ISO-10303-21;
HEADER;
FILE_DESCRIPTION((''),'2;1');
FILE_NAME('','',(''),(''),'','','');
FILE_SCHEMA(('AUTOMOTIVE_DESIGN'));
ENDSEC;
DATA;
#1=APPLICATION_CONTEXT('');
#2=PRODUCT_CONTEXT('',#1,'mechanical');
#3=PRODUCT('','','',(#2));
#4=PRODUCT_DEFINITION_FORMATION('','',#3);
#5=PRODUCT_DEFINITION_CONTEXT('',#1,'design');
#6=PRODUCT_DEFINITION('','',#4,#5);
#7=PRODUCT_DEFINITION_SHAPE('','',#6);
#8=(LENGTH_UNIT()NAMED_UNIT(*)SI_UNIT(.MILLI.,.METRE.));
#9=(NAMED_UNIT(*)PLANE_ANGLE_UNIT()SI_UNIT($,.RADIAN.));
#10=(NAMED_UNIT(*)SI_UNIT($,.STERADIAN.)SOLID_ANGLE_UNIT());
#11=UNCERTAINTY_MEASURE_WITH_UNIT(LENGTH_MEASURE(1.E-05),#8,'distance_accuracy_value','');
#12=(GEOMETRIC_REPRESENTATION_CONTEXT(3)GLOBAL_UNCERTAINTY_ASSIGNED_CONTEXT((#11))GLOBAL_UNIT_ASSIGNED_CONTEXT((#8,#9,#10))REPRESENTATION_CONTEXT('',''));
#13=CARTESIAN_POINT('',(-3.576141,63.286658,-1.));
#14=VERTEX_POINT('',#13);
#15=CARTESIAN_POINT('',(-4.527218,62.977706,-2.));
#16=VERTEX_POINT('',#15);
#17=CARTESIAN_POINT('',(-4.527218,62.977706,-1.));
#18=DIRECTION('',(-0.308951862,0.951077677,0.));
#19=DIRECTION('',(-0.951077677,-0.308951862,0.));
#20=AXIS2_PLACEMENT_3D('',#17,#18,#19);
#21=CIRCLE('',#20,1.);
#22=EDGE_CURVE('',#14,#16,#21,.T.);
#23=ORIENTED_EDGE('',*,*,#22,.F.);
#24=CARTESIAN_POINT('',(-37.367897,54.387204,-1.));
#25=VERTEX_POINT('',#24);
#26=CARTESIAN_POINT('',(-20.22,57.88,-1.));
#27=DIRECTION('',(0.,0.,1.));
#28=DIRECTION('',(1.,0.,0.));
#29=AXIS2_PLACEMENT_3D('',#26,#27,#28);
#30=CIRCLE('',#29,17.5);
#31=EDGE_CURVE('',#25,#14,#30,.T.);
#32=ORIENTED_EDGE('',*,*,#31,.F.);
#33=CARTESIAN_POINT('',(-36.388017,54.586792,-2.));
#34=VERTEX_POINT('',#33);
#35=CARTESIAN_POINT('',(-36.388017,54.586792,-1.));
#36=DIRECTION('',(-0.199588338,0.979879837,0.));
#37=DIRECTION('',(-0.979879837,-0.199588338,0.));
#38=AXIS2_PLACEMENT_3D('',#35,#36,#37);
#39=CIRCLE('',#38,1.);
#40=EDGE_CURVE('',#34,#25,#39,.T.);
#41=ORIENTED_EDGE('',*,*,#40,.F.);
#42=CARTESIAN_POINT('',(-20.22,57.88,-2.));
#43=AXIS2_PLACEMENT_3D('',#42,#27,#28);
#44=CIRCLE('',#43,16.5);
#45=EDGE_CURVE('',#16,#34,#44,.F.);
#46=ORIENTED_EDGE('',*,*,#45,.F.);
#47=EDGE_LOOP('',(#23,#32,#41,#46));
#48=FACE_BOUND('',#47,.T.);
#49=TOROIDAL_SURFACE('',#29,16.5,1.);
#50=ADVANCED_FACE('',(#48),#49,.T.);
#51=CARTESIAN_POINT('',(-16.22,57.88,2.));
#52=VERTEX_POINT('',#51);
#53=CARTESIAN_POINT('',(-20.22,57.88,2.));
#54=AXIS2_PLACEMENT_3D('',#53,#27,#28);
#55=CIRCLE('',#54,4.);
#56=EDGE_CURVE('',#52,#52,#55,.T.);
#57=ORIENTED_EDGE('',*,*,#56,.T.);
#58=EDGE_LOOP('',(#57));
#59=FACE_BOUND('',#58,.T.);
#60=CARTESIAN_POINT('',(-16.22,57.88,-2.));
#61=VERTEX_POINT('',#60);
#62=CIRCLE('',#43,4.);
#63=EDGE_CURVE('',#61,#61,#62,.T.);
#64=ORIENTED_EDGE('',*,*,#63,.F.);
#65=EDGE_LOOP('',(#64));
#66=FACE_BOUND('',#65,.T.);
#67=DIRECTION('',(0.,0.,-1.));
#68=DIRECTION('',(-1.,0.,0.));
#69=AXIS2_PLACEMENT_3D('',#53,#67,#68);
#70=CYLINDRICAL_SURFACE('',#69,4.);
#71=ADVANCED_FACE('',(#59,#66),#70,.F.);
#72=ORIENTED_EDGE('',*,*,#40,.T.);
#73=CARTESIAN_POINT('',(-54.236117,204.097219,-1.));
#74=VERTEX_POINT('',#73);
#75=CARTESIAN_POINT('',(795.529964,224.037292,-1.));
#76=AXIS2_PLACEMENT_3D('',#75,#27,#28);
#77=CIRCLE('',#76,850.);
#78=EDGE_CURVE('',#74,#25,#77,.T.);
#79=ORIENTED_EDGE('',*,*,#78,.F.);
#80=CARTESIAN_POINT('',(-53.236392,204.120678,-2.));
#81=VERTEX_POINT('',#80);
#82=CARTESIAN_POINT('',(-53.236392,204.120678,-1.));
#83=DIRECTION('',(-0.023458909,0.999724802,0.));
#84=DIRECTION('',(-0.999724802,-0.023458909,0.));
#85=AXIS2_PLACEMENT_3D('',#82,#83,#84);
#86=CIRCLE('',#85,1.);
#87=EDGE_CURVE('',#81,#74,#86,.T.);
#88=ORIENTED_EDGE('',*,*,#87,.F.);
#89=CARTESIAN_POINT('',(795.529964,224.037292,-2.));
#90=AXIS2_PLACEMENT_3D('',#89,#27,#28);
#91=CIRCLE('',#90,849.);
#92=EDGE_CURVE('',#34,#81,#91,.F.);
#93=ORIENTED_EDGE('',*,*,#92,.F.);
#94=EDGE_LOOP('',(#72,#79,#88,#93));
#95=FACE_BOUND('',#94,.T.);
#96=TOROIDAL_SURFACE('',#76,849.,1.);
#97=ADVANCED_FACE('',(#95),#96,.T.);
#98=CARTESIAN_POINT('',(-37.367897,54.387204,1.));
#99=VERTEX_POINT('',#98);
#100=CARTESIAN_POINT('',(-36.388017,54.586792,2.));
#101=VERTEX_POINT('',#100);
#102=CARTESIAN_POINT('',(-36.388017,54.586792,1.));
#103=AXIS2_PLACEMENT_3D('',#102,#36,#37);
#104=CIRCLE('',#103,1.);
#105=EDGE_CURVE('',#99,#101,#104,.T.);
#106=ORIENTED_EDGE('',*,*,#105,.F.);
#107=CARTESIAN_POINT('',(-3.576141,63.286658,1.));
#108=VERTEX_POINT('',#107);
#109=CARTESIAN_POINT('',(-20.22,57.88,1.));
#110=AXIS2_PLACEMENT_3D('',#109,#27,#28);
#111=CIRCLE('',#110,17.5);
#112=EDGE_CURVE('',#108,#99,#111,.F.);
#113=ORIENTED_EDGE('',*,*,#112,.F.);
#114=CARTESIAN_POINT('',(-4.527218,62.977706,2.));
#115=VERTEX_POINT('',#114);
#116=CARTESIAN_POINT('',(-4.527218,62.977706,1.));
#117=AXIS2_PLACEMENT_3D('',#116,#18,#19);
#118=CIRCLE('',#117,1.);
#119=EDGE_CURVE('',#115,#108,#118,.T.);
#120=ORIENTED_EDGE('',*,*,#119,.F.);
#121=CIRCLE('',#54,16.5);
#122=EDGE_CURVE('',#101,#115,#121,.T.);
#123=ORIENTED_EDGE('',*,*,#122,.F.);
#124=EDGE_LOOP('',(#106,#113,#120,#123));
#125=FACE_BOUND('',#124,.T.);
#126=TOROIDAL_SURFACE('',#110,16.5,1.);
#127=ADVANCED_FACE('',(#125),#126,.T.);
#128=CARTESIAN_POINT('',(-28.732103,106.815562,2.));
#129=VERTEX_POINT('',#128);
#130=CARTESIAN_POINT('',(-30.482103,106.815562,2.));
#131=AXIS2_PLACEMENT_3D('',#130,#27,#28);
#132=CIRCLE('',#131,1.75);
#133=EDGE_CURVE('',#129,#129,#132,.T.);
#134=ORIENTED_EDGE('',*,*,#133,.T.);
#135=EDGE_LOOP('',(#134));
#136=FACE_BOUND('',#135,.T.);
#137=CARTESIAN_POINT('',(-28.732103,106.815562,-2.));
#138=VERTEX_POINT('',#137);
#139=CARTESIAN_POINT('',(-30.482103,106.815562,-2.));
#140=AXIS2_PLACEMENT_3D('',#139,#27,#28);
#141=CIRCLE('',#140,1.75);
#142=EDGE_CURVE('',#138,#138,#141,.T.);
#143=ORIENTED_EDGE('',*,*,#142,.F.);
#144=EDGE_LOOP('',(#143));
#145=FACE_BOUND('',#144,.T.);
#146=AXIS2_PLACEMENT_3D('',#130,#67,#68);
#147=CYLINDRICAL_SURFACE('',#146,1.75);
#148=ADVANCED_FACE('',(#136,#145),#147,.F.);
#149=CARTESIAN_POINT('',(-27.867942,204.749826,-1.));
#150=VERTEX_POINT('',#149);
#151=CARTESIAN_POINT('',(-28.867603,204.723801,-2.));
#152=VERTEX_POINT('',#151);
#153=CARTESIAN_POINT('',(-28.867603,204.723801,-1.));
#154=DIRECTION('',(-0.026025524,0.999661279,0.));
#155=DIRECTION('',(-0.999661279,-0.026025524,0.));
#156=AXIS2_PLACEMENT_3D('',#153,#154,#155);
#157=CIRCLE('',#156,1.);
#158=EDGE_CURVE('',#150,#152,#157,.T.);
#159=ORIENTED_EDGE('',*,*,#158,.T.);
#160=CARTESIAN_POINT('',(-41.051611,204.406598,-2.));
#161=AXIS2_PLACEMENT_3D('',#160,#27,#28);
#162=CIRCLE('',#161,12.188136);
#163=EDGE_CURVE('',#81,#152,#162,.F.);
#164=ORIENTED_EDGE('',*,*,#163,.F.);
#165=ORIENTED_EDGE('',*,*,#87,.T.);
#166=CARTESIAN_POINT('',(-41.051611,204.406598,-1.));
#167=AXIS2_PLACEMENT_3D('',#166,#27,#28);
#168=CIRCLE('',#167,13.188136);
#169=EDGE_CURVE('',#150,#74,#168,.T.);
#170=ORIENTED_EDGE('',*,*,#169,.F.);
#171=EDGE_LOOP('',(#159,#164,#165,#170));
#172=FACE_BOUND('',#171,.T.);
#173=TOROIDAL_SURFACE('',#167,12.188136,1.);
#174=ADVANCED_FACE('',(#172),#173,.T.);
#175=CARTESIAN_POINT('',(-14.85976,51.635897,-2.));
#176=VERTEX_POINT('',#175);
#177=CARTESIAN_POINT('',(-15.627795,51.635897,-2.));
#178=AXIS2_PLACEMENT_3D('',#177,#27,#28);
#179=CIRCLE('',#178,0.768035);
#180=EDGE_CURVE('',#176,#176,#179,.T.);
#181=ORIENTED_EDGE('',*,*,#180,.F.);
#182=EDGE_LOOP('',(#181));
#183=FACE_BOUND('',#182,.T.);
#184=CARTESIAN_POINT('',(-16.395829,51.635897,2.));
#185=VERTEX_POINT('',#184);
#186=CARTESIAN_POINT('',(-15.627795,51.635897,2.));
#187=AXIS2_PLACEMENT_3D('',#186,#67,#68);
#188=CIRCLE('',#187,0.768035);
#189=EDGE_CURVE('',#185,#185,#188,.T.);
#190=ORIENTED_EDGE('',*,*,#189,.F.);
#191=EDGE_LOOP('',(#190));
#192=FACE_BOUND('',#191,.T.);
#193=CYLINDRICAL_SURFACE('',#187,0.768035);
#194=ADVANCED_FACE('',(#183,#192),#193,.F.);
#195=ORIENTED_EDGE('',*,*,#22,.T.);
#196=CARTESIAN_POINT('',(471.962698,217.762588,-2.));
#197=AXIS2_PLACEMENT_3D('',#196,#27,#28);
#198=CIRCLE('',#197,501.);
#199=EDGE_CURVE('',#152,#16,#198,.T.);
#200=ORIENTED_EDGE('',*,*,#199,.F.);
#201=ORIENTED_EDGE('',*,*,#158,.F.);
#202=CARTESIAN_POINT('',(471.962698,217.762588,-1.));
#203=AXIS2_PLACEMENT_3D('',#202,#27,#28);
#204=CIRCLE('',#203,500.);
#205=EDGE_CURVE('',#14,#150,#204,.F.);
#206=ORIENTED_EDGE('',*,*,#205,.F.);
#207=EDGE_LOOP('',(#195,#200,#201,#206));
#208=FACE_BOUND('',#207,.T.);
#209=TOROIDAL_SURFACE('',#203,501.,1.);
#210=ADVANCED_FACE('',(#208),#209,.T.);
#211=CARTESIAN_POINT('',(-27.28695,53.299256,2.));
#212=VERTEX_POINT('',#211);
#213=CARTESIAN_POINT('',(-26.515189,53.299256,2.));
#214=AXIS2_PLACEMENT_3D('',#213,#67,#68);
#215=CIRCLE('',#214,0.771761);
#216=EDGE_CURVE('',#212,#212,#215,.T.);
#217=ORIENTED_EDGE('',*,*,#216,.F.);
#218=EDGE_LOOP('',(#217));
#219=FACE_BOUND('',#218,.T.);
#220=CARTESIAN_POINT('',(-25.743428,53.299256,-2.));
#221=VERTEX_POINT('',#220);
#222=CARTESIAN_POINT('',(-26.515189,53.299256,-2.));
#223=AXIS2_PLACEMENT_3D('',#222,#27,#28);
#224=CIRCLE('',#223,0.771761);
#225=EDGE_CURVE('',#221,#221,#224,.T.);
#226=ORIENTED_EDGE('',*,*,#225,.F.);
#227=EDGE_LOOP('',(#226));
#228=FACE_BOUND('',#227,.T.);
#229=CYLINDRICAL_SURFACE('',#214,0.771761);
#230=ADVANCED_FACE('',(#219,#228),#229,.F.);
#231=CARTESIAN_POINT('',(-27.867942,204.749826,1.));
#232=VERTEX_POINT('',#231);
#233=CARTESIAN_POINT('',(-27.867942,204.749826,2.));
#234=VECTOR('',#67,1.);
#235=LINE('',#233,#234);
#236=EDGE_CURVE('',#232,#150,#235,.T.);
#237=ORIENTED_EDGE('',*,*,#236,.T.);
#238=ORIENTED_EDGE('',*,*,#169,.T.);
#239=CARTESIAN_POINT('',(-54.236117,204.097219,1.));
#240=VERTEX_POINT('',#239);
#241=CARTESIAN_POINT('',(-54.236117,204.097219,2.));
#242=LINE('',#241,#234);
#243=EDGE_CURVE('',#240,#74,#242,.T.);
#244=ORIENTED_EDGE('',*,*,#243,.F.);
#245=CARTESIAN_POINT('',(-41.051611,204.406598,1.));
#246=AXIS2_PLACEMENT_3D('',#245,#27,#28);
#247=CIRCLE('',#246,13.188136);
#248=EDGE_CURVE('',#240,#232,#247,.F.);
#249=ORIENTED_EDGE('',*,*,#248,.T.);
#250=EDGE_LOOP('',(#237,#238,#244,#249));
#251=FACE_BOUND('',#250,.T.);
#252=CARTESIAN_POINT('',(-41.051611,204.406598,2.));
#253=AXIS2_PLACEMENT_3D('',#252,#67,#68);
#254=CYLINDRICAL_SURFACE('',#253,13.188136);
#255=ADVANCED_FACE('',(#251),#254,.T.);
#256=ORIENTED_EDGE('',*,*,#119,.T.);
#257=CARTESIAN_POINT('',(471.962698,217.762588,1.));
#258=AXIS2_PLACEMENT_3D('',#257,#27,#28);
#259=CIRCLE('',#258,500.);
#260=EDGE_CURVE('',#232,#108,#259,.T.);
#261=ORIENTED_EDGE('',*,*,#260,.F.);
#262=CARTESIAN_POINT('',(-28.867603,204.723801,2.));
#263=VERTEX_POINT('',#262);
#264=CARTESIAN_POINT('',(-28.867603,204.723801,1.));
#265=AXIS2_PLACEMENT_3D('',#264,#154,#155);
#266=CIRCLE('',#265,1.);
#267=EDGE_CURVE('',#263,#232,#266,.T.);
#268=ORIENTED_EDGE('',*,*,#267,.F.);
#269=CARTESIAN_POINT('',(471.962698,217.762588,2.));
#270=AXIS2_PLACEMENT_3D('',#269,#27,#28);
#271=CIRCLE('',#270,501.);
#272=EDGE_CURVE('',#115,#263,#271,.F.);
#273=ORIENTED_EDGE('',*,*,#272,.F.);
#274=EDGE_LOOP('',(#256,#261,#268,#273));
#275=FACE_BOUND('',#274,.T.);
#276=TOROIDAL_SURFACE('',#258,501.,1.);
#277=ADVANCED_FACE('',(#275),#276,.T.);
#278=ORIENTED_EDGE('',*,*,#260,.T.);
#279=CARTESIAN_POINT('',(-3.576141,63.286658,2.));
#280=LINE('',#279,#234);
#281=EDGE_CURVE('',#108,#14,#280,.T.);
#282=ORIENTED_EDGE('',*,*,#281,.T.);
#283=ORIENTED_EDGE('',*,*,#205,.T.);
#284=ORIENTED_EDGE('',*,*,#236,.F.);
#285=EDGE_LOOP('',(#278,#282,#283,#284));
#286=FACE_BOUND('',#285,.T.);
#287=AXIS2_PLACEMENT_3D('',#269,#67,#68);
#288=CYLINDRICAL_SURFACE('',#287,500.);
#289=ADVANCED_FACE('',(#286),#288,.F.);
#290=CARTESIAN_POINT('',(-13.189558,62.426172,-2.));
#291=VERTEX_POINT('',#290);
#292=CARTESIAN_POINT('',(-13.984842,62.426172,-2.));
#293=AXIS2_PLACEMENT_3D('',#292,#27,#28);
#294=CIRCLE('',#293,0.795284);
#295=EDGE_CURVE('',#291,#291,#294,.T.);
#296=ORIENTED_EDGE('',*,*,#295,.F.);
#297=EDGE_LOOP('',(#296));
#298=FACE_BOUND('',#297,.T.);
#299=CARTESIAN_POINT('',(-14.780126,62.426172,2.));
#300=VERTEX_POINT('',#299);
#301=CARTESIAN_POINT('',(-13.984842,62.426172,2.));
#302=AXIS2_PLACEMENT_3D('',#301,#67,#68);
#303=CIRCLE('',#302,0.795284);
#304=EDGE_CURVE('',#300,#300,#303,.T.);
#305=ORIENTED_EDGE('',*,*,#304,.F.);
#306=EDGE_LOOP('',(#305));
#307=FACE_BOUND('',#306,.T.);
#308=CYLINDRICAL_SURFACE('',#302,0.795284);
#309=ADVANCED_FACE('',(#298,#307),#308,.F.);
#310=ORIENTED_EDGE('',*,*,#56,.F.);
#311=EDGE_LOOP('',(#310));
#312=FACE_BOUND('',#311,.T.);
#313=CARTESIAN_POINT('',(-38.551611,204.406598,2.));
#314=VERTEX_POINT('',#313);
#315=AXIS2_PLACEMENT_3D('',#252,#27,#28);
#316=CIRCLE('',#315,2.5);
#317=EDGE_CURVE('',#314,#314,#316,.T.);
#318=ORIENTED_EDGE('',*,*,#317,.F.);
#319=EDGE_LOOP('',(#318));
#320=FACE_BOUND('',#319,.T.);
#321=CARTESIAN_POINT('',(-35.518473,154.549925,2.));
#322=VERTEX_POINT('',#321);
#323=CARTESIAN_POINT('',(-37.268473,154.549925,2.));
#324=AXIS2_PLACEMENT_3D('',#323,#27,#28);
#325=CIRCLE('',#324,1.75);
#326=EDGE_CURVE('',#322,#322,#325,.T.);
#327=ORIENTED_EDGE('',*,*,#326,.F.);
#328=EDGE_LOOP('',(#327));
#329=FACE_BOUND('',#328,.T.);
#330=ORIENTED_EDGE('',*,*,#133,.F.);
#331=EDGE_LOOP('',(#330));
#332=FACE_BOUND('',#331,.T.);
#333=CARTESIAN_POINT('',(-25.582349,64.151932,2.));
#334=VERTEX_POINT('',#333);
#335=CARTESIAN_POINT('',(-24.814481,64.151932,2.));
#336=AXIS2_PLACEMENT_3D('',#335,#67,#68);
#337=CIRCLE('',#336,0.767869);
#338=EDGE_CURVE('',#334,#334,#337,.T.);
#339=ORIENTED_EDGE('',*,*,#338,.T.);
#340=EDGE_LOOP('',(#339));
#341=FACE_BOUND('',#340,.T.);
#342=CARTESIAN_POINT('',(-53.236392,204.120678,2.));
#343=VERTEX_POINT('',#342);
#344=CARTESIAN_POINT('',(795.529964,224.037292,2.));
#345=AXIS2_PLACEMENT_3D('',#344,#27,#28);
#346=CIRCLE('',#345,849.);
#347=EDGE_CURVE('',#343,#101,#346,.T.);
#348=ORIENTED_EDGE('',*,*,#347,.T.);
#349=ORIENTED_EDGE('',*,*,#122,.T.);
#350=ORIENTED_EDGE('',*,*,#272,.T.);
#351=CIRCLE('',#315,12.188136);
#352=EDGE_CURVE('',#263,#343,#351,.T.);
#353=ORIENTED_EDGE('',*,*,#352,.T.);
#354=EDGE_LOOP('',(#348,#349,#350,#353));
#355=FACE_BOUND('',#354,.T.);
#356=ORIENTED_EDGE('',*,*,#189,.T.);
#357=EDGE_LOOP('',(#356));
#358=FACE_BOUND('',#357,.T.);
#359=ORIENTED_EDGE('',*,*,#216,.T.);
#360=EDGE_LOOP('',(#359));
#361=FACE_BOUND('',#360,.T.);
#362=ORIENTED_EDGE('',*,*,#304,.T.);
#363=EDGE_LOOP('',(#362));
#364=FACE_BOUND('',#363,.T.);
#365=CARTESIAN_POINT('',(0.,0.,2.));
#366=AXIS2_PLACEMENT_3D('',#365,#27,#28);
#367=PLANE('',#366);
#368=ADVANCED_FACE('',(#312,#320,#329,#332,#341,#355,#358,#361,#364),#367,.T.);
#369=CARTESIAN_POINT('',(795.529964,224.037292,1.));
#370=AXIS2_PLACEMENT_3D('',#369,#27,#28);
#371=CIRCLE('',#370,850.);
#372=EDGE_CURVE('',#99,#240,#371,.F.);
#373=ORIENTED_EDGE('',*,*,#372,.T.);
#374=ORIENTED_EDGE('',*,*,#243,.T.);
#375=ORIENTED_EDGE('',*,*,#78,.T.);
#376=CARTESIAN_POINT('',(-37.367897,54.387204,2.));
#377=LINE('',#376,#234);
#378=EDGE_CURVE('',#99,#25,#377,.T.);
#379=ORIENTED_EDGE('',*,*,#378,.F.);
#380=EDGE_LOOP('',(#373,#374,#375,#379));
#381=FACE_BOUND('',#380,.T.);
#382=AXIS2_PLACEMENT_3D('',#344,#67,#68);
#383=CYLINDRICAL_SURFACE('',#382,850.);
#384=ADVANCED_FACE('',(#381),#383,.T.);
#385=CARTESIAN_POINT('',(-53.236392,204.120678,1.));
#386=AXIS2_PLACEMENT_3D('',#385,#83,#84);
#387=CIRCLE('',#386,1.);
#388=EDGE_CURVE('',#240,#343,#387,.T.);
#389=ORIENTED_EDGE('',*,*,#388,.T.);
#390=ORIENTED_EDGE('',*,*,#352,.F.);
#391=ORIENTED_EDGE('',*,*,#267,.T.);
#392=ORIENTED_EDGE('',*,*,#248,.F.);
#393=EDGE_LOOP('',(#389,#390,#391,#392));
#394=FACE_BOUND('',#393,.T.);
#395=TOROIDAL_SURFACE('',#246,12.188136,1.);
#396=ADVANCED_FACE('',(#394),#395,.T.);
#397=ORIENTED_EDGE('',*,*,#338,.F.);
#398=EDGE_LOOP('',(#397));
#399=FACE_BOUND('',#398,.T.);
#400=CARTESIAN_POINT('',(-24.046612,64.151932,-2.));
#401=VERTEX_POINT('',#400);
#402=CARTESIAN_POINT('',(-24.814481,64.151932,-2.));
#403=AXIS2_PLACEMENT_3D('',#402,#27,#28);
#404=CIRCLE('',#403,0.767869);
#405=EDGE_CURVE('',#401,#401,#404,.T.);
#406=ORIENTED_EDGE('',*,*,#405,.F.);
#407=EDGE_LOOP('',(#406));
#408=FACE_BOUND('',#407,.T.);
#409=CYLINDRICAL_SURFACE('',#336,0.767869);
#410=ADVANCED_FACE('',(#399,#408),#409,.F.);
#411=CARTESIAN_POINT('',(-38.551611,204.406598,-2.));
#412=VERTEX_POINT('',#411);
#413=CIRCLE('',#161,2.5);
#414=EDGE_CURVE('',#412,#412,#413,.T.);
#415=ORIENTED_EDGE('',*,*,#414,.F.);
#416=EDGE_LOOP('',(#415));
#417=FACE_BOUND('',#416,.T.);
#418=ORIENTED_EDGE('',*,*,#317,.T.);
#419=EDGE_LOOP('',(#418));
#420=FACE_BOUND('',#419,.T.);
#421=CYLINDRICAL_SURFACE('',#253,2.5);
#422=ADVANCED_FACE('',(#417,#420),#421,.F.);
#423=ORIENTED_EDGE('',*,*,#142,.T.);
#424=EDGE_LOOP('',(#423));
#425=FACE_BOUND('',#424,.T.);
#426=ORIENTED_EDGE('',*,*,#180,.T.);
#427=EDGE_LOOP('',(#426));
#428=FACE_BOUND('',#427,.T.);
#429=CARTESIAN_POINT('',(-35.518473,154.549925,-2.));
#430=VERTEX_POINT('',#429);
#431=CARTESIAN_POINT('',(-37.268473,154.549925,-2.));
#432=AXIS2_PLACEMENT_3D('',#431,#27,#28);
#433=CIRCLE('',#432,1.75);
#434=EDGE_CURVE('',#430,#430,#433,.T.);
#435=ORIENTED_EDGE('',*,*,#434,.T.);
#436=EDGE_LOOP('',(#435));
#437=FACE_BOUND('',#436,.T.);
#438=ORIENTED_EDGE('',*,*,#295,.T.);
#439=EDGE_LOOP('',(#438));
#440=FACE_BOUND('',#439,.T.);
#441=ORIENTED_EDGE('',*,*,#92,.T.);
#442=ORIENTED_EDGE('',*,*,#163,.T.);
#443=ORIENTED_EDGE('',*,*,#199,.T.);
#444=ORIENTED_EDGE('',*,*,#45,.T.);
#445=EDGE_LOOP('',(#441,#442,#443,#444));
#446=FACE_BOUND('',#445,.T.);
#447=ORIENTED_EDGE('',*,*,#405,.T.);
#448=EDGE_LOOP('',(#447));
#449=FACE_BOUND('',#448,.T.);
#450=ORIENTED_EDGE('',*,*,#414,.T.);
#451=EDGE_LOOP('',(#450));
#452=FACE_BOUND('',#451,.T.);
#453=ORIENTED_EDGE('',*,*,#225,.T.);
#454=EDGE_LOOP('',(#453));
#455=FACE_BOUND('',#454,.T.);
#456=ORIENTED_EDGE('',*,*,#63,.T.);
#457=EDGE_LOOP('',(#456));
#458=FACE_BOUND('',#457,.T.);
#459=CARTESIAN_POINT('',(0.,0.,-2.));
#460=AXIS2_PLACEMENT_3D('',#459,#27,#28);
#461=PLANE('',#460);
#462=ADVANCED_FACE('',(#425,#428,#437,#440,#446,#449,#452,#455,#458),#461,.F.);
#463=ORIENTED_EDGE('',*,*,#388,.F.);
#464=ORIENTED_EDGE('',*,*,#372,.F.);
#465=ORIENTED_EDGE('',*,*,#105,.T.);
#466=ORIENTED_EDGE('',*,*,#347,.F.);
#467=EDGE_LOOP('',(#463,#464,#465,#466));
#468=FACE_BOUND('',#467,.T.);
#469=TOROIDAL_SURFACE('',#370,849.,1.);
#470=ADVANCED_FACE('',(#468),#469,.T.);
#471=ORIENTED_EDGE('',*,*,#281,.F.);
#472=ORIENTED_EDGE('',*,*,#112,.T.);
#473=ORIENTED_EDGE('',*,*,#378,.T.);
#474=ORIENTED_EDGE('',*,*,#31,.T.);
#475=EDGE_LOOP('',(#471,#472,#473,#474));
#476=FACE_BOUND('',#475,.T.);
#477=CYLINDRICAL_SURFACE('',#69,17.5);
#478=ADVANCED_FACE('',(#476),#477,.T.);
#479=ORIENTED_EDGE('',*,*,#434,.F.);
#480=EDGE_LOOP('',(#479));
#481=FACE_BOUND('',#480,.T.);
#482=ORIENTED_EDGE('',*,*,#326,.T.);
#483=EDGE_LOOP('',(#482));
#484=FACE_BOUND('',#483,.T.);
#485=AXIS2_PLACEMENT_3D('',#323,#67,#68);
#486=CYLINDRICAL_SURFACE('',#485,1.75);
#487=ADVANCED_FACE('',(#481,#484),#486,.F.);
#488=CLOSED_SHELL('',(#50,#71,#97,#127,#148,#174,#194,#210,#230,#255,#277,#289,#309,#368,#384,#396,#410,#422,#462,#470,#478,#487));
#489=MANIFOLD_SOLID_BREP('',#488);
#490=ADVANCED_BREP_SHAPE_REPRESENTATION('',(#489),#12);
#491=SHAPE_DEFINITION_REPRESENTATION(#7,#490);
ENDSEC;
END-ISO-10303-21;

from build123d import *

# Parameters (mm, degrees)
SKETCH4_R               = 4
SKETCH4_R_2             = 2.5
SKETCH4_R_3             = 1.75
BOSS_EXTRUDE2_DEPTH     = 2
FILLET3_R               = 1
CUT_EXTRUDE1_DEPTH      = 225.288694563
CUT_EXTRUDE1_DEPTH_BACK = 225.288694563
SKETCH6_R               = 0.767868533
SKETCH6_R_2             = 0.771761199
SKETCH6_R_3             = 0.768034618
SKETCH6_R_4             = 0.795284138


with BuildPart() as part:
    # Sketch4 → Boss-Extrude2 (new, symmetric)
    with BuildSketch(Plane.XY):
        with BuildLine():
            ThreePointArc((-37.367897149, 54.387204077), (-49.125443785, 128.867751214), (-54.236117249, 204.097218987))
            ThreePointArc((-54.236117249, 204.097218987), (-41.377914553, 217.590696941), (-27.867941637, 204.749826423))
            ThreePointArc((-27.867941637, 204.749826423), (-20.824641361, 133.142032668), (-3.576140657, 63.286657579))
            ThreePointArc((-3.576140657, 63.286657579), (-15.763142173, 40.957044634), (-37.367897149, 54.387204077))
        make_face()
        with Locations((-20.22, 57.88)):
            Circle(SKETCH4_R, mode=Mode.SUBTRACT)
        with Locations((-41.051610566, 204.406598272)):
            Circle(SKETCH4_R_2, mode=Mode.SUBTRACT)
        with Locations((-37.268473007, 154.549924996)):
            Circle(SKETCH4_R_3, mode=Mode.SUBTRACT)
        with Locations((-30.482103359, 106.815562065)):
            Circle(SKETCH4_R_3, mode=Mode.SUBTRACT)
    extrude(amount=BOSS_EXTRUDE2_DEPTH, both=True)

    # Fillet3
    fillet3_edges = [part.edges().sort_by_distance(p)[0] for p in [
        (-41.377914553, 217.590696941, -2),
        (-20.824641361, 133.142032668, -2),
        (-15.763142173, 40.957044634, -2),
        (-49.125443785, 128.867751214, -2),
        (-49.125443785, 128.867751214, 2),
        (-15.763142173, 40.957044634, 2),
        (-20.824641361, 133.142032668, 2),
        (-41.377914553, 217.590696941, 2),
    ]]
    fillet(fillet3_edges, radius=FILLET3_R)

    # Sketch6 → Cut-Extrude1 (cut, two sides: drawn at the far end of the back side and taken through both)
    with BuildSketch(Plane(origin=(0, 0, -2), x_dir=(-1, 0, 0), z_dir=(0, 0, -1)).offset(-CUT_EXTRUDE1_DEPTH_BACK)):
        with Locations((24.81448084, 64.15193249)):
            Circle(SKETCH6_R)
        with Locations((26.515189166, 53.299256498)):
            Circle(SKETCH6_R_2)
        with Locations((15.627794635, 51.635896996)):
            Circle(SKETCH6_R_3)
        with Locations((13.984842021, 62.426172158)):
            Circle(SKETCH6_R_4)
    extrude(amount=CUT_EXTRUDE1_DEPTH + CUT_EXTRUDE1_DEPTH_BACK, mode=Mode.SUBTRACT)


solid = part.part
